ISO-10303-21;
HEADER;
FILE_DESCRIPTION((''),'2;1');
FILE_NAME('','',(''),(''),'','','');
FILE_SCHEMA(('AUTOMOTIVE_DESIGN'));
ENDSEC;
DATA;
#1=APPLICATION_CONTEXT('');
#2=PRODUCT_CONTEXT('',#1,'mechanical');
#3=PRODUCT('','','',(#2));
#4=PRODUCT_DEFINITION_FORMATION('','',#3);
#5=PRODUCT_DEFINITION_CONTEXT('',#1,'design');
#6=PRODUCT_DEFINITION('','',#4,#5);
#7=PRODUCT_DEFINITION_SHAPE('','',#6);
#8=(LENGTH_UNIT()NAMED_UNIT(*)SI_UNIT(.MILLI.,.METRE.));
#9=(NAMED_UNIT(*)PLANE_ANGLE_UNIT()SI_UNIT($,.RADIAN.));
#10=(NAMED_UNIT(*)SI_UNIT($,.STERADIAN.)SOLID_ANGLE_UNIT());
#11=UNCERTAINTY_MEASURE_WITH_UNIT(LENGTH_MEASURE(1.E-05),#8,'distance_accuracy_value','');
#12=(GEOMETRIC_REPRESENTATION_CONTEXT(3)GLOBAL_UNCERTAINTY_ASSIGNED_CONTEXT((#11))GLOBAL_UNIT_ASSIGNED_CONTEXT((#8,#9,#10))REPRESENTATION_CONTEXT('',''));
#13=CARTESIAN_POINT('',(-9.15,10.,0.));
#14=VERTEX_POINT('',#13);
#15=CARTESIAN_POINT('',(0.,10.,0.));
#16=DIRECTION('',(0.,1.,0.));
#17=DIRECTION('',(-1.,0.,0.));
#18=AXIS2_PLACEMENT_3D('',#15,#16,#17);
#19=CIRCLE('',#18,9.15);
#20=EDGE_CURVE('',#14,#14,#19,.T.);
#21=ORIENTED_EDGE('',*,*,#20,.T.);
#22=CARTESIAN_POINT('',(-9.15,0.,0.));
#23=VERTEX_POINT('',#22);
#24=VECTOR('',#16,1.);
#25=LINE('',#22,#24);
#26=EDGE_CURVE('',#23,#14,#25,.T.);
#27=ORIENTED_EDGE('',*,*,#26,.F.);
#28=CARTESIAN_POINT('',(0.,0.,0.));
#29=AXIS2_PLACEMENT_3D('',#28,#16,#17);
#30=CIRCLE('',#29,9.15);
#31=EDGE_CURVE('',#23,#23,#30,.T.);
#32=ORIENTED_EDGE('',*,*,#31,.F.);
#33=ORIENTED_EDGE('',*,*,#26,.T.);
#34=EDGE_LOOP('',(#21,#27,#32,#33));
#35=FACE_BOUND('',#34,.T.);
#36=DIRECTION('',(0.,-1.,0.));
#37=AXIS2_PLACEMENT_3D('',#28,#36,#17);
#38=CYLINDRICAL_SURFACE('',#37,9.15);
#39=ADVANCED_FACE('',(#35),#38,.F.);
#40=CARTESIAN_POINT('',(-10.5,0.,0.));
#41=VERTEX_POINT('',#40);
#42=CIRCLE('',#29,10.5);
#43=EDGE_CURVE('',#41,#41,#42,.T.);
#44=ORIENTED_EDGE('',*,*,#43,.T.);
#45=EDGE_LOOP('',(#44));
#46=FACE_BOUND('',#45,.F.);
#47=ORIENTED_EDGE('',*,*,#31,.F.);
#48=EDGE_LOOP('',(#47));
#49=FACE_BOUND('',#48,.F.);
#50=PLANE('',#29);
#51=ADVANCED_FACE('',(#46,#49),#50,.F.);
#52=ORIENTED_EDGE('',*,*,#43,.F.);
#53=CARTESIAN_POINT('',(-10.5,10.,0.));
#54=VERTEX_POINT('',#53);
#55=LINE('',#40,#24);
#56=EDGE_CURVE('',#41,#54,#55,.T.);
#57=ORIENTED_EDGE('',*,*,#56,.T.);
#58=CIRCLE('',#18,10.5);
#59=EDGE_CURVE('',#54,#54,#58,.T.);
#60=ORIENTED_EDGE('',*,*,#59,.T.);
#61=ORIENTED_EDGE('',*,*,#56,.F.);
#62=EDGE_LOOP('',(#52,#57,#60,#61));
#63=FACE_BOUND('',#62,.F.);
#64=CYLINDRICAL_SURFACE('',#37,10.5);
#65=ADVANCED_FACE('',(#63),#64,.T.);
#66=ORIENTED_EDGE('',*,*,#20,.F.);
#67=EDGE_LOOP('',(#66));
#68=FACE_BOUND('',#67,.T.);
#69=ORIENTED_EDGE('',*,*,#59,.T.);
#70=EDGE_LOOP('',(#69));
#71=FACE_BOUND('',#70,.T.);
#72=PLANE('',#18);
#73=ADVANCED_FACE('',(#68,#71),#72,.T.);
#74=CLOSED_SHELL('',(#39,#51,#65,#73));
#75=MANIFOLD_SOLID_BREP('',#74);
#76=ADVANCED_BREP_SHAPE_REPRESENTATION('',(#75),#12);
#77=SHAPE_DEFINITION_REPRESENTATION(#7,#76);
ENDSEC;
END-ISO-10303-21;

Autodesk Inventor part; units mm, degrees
ref_plane "YZ Plane" through (0, 0, 0) normal (1, 0, 0) x (0, 1, 0)
ref_plane "XZ Plane" through (0, 0, 0) normal (0, 1, 0) x (-1, 0, 0)
ref_plane "XY Plane" through (0, 0, 0) normal (0, 0, 1) x (1, 0, 0)
sketch "Эскиз1" plane through (0, 0, 0) normal (0, 1, 0) x (-1, 0, 0)
  circle A0 centre (0, 0) radius 9.15
  circle A1 centre (0, 0) radius 10.5
  dimension "d0" = 18.3
  dimension "d1" = 21
extrude "Выдавливание1" add sketch "Эскиз1" along normal blind 10
properties part number "держатель маркера версия 2"
